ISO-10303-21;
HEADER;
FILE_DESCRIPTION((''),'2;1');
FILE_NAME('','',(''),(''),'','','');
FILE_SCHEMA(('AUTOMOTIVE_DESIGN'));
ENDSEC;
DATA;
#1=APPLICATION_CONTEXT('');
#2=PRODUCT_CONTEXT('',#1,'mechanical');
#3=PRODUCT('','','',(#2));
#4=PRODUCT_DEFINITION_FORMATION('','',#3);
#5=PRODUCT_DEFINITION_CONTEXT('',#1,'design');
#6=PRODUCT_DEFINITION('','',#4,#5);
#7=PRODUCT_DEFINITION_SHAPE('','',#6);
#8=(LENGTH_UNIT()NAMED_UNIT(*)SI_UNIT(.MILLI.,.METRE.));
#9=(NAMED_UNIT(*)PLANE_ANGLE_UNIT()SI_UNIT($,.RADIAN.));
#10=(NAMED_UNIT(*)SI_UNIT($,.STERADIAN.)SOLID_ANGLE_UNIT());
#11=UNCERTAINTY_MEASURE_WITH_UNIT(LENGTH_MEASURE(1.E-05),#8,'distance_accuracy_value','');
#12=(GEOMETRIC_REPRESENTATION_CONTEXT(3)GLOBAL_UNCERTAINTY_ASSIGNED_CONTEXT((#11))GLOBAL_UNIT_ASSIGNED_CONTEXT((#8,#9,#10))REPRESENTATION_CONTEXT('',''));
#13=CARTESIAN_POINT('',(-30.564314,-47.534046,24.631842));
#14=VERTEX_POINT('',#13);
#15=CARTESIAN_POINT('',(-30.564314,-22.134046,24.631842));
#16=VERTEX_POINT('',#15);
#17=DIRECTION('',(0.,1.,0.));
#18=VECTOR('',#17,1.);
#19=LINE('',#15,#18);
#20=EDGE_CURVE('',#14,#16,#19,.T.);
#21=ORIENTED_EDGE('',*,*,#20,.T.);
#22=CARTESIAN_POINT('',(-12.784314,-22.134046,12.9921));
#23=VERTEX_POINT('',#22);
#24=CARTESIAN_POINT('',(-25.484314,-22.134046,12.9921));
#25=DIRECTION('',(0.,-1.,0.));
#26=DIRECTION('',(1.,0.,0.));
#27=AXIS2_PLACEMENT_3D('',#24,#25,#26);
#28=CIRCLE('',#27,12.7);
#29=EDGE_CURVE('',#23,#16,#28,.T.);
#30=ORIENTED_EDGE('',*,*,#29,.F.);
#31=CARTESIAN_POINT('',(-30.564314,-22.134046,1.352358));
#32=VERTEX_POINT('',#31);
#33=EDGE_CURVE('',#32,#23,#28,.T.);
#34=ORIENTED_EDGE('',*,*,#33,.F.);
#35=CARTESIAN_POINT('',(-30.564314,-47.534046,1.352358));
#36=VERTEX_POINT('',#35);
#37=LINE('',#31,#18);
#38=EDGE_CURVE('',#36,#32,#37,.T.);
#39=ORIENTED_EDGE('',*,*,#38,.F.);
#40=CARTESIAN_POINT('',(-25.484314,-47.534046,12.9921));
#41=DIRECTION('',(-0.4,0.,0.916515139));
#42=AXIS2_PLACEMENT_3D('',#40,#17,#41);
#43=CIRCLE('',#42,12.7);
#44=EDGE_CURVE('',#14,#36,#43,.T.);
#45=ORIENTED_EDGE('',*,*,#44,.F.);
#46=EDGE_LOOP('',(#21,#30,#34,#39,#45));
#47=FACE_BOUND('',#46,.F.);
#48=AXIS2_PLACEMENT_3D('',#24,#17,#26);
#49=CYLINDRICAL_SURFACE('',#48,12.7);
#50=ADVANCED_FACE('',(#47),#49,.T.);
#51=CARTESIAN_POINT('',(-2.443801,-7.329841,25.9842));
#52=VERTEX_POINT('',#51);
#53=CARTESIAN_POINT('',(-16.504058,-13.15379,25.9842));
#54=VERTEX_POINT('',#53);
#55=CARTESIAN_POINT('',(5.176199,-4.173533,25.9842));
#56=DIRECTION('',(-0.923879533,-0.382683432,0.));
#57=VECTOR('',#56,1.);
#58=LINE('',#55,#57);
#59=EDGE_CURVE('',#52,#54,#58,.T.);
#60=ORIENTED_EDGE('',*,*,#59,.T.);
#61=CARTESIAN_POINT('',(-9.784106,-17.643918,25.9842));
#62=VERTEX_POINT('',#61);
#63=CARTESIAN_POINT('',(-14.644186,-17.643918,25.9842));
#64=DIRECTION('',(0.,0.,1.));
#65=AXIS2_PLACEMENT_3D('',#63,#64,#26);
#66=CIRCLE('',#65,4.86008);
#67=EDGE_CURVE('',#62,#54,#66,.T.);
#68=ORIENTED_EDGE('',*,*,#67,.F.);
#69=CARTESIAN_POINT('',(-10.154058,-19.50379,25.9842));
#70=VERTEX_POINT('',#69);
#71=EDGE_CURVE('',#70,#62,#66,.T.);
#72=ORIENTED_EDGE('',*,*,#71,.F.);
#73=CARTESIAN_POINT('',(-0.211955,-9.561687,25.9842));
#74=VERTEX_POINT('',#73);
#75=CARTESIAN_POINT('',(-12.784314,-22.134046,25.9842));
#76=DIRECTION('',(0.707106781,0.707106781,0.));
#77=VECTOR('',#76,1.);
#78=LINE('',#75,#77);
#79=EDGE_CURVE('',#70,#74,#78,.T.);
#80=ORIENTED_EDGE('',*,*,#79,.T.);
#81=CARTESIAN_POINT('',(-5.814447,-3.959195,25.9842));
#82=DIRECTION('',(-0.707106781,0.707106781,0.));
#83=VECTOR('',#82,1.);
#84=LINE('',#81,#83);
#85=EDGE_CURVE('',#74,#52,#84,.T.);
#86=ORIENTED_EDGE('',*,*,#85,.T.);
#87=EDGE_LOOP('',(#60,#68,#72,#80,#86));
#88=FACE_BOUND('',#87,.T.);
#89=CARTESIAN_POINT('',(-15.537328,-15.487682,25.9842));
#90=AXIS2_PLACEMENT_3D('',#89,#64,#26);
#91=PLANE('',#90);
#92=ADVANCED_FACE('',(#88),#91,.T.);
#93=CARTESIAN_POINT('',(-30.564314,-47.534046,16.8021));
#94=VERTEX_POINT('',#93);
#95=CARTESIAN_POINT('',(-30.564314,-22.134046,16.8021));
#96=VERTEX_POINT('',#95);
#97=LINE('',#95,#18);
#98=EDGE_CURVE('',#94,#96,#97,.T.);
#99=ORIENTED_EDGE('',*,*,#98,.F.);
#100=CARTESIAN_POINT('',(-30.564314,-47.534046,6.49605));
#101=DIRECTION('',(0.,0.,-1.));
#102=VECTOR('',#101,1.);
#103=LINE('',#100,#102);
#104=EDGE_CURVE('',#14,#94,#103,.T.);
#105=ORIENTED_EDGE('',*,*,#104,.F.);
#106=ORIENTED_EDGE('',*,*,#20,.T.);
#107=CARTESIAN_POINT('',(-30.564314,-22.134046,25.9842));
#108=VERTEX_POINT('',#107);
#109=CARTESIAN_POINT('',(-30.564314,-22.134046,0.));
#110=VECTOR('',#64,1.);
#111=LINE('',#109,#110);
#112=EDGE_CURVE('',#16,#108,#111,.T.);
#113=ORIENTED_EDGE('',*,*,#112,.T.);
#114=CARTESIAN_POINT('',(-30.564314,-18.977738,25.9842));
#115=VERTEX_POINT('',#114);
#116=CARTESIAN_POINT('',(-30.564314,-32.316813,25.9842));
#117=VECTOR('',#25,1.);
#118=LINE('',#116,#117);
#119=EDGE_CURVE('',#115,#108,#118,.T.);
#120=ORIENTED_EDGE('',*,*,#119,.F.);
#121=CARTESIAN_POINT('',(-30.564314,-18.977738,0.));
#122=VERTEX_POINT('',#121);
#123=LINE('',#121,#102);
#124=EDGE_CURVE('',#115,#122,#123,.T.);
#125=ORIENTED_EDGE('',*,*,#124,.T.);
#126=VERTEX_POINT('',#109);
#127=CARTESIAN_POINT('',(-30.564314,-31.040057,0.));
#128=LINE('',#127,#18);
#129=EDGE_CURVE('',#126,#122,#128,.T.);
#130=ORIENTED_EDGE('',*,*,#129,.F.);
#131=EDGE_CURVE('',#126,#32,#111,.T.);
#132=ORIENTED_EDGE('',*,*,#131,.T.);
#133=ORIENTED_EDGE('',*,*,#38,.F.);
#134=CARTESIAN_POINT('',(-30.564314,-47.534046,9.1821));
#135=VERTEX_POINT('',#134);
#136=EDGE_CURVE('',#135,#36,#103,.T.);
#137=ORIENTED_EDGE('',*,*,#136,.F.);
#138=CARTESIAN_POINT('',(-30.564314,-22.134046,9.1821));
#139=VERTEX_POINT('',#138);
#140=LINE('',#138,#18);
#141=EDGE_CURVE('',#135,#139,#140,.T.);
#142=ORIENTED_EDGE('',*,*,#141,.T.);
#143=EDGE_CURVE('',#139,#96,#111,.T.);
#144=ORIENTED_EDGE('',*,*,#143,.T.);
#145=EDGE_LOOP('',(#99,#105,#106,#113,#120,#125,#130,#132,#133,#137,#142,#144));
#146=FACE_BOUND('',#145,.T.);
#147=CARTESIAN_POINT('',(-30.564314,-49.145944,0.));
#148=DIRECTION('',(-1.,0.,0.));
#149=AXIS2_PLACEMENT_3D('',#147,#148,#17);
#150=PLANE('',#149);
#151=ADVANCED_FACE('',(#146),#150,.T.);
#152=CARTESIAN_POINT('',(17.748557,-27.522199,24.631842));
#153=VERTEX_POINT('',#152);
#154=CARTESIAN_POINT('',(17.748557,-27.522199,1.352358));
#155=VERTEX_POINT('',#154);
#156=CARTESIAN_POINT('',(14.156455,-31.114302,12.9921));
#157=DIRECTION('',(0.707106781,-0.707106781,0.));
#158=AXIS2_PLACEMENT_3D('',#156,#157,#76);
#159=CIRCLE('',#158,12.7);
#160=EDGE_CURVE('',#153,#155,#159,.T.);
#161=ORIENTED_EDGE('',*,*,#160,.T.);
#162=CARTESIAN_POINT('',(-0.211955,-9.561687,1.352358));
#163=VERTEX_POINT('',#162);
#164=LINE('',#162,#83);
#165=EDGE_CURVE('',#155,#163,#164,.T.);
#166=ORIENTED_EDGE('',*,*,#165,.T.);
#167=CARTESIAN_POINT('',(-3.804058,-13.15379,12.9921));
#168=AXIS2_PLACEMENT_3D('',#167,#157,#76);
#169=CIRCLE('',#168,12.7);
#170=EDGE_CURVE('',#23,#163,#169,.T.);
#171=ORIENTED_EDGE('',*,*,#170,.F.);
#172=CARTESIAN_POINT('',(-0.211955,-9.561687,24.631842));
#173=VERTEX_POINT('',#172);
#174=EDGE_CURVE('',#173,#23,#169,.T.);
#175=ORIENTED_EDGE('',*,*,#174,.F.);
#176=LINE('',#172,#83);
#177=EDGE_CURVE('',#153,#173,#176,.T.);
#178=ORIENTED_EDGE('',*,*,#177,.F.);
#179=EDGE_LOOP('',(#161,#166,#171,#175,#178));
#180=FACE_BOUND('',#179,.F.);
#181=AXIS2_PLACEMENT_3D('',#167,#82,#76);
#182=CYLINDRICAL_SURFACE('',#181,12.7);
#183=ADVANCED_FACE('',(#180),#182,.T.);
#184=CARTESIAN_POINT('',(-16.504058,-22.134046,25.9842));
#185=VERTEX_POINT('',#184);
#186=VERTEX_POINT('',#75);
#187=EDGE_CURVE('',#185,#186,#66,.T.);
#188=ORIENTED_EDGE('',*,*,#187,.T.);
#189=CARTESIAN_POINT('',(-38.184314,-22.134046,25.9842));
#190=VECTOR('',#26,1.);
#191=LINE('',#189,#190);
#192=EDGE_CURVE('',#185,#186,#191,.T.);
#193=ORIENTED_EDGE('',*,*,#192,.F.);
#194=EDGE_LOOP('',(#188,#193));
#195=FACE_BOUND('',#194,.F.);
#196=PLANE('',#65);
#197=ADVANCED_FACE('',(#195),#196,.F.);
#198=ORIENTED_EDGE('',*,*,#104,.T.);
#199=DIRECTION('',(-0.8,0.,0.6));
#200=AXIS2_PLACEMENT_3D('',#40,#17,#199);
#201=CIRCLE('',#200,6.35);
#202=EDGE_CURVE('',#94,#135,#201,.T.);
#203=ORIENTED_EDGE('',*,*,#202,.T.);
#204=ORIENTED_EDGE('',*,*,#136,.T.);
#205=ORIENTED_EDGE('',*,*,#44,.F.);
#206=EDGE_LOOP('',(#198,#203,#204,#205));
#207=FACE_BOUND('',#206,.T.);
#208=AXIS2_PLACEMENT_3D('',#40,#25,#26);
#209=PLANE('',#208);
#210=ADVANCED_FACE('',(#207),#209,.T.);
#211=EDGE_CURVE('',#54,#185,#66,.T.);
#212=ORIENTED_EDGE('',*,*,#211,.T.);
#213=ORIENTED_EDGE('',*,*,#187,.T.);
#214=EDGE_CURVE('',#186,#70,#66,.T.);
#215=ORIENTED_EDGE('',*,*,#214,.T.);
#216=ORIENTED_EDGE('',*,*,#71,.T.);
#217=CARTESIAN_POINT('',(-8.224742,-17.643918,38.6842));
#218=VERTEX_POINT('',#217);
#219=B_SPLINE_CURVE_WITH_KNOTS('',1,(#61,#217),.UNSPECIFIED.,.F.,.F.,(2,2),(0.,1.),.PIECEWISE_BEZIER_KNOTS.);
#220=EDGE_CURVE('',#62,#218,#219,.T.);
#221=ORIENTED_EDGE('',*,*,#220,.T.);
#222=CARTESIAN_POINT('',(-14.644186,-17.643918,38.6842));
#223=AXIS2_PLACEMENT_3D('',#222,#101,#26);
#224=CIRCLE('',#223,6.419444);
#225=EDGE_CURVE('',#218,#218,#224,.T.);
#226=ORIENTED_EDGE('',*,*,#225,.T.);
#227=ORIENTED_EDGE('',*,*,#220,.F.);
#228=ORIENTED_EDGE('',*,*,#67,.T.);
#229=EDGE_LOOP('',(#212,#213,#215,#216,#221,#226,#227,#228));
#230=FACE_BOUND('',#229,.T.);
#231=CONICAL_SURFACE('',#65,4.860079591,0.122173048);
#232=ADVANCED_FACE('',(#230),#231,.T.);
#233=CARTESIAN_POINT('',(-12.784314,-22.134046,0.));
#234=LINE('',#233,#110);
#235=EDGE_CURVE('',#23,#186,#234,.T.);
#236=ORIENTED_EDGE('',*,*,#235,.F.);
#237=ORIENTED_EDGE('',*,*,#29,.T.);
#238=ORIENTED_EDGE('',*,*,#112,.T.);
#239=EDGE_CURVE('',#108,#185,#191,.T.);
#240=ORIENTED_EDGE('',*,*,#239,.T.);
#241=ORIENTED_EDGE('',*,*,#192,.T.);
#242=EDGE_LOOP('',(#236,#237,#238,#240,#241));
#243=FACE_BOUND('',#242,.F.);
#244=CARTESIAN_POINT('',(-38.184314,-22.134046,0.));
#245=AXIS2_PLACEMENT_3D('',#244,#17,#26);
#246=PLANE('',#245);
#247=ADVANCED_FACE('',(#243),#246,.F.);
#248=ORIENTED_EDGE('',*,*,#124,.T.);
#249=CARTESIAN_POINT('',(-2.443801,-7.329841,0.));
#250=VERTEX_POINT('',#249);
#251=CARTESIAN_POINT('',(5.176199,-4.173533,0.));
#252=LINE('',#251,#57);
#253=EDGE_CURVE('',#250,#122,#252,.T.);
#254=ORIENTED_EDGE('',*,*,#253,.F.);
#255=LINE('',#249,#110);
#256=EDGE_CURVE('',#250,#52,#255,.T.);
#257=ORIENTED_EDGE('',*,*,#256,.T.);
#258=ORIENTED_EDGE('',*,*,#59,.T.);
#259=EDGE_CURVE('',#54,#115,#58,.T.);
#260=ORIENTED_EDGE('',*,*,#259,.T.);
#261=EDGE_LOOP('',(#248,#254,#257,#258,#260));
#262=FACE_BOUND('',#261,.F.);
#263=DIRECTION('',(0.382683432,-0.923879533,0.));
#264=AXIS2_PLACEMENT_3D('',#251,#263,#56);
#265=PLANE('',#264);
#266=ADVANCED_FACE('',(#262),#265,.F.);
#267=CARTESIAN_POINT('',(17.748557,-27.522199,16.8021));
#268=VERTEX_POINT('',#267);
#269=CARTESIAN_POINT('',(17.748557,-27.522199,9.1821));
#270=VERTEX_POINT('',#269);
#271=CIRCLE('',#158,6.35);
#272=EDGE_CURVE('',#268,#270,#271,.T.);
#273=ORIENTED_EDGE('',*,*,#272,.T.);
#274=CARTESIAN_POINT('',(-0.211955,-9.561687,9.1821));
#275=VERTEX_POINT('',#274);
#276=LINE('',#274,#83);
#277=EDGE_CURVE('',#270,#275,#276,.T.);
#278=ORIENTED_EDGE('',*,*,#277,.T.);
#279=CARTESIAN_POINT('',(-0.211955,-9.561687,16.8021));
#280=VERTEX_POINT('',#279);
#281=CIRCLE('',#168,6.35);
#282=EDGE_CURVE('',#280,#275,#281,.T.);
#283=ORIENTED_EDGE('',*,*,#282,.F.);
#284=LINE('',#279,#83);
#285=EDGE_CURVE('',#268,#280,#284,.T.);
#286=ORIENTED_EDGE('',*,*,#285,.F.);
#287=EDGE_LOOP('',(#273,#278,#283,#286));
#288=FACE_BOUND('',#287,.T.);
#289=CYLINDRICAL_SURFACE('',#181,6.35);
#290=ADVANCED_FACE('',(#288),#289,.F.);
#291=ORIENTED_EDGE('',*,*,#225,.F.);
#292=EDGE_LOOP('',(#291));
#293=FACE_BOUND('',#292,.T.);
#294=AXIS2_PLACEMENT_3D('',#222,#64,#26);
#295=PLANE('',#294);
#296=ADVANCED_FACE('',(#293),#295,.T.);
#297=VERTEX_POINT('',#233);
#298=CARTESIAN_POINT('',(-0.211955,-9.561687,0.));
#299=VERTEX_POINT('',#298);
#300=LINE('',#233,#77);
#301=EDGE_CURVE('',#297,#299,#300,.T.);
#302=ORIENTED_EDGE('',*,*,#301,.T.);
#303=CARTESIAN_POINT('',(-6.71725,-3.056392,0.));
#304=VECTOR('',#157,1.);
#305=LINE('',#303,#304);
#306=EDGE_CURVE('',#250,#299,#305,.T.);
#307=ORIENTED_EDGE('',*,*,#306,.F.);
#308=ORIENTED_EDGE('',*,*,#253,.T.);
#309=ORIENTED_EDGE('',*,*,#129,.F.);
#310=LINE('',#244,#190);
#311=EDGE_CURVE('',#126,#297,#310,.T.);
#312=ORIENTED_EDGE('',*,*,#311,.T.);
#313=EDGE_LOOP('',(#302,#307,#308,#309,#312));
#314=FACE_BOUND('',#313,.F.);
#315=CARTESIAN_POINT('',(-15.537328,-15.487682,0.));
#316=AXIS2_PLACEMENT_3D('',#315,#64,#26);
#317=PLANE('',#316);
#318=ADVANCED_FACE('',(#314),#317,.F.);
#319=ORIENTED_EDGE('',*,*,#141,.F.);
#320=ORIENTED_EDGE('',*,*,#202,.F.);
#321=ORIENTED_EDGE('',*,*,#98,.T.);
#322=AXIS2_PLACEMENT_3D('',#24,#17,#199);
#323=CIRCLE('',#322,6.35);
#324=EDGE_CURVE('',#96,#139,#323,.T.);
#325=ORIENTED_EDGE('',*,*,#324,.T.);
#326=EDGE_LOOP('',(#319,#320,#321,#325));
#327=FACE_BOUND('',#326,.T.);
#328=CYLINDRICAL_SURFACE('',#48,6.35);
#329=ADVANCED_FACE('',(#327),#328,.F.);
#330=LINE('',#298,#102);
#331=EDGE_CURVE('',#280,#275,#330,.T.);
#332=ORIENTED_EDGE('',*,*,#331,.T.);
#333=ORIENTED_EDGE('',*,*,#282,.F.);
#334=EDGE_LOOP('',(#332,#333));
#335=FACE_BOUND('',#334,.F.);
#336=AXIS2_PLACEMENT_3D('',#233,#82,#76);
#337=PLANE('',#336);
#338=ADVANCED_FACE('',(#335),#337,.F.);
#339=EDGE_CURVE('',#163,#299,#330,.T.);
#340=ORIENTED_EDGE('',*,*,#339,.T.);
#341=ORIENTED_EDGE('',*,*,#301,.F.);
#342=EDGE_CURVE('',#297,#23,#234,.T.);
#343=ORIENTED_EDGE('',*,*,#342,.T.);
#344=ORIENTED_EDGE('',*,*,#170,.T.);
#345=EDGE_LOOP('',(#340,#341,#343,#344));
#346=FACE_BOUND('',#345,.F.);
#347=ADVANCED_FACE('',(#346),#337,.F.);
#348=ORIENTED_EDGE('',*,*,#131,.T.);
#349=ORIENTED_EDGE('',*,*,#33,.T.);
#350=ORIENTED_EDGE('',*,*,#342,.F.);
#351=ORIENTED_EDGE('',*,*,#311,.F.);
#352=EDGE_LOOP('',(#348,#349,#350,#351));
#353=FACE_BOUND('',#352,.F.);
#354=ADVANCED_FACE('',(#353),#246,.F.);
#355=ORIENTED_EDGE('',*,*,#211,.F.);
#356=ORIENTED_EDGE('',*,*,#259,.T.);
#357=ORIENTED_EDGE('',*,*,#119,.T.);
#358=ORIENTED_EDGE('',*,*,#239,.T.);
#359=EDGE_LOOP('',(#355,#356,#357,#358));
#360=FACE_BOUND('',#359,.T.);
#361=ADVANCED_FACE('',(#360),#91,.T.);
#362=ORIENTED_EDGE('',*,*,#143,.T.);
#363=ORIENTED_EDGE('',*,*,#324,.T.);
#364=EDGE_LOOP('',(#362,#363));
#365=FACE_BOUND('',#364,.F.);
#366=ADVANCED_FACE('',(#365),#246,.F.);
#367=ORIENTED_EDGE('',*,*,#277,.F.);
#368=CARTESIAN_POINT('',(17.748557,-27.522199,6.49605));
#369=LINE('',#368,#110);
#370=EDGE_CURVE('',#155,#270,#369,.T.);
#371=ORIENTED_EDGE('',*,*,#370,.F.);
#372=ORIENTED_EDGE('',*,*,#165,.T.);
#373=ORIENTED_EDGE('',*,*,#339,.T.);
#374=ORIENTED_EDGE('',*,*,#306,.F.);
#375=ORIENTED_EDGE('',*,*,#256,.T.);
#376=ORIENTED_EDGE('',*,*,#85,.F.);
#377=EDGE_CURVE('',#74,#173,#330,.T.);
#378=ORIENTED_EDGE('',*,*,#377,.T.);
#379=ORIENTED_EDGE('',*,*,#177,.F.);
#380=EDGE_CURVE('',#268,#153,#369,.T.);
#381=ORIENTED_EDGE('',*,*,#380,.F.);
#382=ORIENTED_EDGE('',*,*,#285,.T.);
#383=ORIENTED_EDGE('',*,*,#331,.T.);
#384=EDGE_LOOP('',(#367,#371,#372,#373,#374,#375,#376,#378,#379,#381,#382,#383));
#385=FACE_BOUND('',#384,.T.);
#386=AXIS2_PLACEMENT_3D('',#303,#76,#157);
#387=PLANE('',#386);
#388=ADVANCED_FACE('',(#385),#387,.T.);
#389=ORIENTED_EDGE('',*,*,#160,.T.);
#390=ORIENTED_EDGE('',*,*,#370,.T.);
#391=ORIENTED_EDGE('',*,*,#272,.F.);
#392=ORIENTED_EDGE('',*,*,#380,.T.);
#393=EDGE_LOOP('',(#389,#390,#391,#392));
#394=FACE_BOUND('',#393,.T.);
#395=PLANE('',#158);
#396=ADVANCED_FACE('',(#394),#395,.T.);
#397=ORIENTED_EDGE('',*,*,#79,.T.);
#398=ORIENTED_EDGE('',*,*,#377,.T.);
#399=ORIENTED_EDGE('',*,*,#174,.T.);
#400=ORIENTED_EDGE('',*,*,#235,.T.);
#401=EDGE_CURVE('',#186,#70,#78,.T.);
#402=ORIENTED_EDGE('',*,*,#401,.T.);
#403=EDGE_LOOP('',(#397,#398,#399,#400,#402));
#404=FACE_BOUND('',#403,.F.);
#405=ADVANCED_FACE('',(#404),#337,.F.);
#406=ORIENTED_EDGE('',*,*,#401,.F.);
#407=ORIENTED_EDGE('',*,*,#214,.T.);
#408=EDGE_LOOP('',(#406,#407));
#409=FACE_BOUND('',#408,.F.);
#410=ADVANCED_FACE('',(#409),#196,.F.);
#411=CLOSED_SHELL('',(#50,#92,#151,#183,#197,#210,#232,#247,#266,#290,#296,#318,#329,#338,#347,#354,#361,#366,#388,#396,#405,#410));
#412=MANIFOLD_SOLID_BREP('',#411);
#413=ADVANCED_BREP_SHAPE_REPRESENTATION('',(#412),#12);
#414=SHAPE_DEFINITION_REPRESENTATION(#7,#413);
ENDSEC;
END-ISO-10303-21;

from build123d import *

# Parameters (mm, degrees)
F1_DEPTH = 25.9842
F2_R     = 12.7
F2_R_2   = 6.35
F3_DEPTH = 25.4
F4_R     = 12.7
F4_R_2   = 6.35
F5_DEPTH = 25.4
F7_R     = 4.860079591
F8_DEPTH = 12.7
F8_TAPER = -7
F6_W     = 22.3425124863
F6_H     = 36.2117751569
F9_DEPTH = 38.6852001


with BuildPart() as f1:
    # F0 (on Top) → F1 (new body)
    with BuildSketch(Plane.XY):
        Polygon((5.17619859, -4.1735334439), (-38.1843136522, -22.134045686), (-12.7843136522, -22.134045686), align=None)
    extrude(amount=F1_DEPTH)

    # F2 (on face) → F3 (join)
    with BuildSketch(Plane(origin=(4.6748660169, -4.6748660169, 0), x_dir=(0.7071067812, 0.7071067812, 0), z_dir=(0.7071067812, -0.7071067812, 0))):
        with Locations((-11.9910086759, 12.9921)):
            Circle(F2_R)
        with Locations((-11.9910086759, 12.9921)):
            Circle(F2_R_2, mode=Mode.SUBTRACT)
    extrude(amount=F3_DEPTH)

    # F4 (on face) → F5 (join)
    with BuildSketch(Plane.XZ.offset(22.134045686)):
        with Locations((-25.4843136522, 12.9921)):
            Circle(F4_R)
        with Locations((-25.4843136522, 12.9921)):
            Circle(F4_R_2, mode=Mode.SUBTRACT)
    extrude(amount=F5_DEPTH)

    # F7 (on face) → F8 (join)
    with BuildSketch(Plane.XY.offset(25.9842)):
        with Locations((-14.6441855916, -17.6439176255)):
            Circle(F7_R)
    extrude(amount=F8_DEPTH, taper=F8_TAPER)

    # F6 (on face) → F9 (cut, through all)
    with BuildSketch(Plane.XY):
        with Locations((-41.7355698953, -31.0400566086)):
            Rectangle(F6_W, F6_H)
        Polygon((34.686883608, -12.8634416315), (9.0812918357, 12.7421501407), (-6.7172502521, -3.0563919471), (18.8883415201, -28.6619837193), align=None)
    extrude(amount=F9_DEPTH, mode=Mode.SUBTRACT)


solid = f1.part
